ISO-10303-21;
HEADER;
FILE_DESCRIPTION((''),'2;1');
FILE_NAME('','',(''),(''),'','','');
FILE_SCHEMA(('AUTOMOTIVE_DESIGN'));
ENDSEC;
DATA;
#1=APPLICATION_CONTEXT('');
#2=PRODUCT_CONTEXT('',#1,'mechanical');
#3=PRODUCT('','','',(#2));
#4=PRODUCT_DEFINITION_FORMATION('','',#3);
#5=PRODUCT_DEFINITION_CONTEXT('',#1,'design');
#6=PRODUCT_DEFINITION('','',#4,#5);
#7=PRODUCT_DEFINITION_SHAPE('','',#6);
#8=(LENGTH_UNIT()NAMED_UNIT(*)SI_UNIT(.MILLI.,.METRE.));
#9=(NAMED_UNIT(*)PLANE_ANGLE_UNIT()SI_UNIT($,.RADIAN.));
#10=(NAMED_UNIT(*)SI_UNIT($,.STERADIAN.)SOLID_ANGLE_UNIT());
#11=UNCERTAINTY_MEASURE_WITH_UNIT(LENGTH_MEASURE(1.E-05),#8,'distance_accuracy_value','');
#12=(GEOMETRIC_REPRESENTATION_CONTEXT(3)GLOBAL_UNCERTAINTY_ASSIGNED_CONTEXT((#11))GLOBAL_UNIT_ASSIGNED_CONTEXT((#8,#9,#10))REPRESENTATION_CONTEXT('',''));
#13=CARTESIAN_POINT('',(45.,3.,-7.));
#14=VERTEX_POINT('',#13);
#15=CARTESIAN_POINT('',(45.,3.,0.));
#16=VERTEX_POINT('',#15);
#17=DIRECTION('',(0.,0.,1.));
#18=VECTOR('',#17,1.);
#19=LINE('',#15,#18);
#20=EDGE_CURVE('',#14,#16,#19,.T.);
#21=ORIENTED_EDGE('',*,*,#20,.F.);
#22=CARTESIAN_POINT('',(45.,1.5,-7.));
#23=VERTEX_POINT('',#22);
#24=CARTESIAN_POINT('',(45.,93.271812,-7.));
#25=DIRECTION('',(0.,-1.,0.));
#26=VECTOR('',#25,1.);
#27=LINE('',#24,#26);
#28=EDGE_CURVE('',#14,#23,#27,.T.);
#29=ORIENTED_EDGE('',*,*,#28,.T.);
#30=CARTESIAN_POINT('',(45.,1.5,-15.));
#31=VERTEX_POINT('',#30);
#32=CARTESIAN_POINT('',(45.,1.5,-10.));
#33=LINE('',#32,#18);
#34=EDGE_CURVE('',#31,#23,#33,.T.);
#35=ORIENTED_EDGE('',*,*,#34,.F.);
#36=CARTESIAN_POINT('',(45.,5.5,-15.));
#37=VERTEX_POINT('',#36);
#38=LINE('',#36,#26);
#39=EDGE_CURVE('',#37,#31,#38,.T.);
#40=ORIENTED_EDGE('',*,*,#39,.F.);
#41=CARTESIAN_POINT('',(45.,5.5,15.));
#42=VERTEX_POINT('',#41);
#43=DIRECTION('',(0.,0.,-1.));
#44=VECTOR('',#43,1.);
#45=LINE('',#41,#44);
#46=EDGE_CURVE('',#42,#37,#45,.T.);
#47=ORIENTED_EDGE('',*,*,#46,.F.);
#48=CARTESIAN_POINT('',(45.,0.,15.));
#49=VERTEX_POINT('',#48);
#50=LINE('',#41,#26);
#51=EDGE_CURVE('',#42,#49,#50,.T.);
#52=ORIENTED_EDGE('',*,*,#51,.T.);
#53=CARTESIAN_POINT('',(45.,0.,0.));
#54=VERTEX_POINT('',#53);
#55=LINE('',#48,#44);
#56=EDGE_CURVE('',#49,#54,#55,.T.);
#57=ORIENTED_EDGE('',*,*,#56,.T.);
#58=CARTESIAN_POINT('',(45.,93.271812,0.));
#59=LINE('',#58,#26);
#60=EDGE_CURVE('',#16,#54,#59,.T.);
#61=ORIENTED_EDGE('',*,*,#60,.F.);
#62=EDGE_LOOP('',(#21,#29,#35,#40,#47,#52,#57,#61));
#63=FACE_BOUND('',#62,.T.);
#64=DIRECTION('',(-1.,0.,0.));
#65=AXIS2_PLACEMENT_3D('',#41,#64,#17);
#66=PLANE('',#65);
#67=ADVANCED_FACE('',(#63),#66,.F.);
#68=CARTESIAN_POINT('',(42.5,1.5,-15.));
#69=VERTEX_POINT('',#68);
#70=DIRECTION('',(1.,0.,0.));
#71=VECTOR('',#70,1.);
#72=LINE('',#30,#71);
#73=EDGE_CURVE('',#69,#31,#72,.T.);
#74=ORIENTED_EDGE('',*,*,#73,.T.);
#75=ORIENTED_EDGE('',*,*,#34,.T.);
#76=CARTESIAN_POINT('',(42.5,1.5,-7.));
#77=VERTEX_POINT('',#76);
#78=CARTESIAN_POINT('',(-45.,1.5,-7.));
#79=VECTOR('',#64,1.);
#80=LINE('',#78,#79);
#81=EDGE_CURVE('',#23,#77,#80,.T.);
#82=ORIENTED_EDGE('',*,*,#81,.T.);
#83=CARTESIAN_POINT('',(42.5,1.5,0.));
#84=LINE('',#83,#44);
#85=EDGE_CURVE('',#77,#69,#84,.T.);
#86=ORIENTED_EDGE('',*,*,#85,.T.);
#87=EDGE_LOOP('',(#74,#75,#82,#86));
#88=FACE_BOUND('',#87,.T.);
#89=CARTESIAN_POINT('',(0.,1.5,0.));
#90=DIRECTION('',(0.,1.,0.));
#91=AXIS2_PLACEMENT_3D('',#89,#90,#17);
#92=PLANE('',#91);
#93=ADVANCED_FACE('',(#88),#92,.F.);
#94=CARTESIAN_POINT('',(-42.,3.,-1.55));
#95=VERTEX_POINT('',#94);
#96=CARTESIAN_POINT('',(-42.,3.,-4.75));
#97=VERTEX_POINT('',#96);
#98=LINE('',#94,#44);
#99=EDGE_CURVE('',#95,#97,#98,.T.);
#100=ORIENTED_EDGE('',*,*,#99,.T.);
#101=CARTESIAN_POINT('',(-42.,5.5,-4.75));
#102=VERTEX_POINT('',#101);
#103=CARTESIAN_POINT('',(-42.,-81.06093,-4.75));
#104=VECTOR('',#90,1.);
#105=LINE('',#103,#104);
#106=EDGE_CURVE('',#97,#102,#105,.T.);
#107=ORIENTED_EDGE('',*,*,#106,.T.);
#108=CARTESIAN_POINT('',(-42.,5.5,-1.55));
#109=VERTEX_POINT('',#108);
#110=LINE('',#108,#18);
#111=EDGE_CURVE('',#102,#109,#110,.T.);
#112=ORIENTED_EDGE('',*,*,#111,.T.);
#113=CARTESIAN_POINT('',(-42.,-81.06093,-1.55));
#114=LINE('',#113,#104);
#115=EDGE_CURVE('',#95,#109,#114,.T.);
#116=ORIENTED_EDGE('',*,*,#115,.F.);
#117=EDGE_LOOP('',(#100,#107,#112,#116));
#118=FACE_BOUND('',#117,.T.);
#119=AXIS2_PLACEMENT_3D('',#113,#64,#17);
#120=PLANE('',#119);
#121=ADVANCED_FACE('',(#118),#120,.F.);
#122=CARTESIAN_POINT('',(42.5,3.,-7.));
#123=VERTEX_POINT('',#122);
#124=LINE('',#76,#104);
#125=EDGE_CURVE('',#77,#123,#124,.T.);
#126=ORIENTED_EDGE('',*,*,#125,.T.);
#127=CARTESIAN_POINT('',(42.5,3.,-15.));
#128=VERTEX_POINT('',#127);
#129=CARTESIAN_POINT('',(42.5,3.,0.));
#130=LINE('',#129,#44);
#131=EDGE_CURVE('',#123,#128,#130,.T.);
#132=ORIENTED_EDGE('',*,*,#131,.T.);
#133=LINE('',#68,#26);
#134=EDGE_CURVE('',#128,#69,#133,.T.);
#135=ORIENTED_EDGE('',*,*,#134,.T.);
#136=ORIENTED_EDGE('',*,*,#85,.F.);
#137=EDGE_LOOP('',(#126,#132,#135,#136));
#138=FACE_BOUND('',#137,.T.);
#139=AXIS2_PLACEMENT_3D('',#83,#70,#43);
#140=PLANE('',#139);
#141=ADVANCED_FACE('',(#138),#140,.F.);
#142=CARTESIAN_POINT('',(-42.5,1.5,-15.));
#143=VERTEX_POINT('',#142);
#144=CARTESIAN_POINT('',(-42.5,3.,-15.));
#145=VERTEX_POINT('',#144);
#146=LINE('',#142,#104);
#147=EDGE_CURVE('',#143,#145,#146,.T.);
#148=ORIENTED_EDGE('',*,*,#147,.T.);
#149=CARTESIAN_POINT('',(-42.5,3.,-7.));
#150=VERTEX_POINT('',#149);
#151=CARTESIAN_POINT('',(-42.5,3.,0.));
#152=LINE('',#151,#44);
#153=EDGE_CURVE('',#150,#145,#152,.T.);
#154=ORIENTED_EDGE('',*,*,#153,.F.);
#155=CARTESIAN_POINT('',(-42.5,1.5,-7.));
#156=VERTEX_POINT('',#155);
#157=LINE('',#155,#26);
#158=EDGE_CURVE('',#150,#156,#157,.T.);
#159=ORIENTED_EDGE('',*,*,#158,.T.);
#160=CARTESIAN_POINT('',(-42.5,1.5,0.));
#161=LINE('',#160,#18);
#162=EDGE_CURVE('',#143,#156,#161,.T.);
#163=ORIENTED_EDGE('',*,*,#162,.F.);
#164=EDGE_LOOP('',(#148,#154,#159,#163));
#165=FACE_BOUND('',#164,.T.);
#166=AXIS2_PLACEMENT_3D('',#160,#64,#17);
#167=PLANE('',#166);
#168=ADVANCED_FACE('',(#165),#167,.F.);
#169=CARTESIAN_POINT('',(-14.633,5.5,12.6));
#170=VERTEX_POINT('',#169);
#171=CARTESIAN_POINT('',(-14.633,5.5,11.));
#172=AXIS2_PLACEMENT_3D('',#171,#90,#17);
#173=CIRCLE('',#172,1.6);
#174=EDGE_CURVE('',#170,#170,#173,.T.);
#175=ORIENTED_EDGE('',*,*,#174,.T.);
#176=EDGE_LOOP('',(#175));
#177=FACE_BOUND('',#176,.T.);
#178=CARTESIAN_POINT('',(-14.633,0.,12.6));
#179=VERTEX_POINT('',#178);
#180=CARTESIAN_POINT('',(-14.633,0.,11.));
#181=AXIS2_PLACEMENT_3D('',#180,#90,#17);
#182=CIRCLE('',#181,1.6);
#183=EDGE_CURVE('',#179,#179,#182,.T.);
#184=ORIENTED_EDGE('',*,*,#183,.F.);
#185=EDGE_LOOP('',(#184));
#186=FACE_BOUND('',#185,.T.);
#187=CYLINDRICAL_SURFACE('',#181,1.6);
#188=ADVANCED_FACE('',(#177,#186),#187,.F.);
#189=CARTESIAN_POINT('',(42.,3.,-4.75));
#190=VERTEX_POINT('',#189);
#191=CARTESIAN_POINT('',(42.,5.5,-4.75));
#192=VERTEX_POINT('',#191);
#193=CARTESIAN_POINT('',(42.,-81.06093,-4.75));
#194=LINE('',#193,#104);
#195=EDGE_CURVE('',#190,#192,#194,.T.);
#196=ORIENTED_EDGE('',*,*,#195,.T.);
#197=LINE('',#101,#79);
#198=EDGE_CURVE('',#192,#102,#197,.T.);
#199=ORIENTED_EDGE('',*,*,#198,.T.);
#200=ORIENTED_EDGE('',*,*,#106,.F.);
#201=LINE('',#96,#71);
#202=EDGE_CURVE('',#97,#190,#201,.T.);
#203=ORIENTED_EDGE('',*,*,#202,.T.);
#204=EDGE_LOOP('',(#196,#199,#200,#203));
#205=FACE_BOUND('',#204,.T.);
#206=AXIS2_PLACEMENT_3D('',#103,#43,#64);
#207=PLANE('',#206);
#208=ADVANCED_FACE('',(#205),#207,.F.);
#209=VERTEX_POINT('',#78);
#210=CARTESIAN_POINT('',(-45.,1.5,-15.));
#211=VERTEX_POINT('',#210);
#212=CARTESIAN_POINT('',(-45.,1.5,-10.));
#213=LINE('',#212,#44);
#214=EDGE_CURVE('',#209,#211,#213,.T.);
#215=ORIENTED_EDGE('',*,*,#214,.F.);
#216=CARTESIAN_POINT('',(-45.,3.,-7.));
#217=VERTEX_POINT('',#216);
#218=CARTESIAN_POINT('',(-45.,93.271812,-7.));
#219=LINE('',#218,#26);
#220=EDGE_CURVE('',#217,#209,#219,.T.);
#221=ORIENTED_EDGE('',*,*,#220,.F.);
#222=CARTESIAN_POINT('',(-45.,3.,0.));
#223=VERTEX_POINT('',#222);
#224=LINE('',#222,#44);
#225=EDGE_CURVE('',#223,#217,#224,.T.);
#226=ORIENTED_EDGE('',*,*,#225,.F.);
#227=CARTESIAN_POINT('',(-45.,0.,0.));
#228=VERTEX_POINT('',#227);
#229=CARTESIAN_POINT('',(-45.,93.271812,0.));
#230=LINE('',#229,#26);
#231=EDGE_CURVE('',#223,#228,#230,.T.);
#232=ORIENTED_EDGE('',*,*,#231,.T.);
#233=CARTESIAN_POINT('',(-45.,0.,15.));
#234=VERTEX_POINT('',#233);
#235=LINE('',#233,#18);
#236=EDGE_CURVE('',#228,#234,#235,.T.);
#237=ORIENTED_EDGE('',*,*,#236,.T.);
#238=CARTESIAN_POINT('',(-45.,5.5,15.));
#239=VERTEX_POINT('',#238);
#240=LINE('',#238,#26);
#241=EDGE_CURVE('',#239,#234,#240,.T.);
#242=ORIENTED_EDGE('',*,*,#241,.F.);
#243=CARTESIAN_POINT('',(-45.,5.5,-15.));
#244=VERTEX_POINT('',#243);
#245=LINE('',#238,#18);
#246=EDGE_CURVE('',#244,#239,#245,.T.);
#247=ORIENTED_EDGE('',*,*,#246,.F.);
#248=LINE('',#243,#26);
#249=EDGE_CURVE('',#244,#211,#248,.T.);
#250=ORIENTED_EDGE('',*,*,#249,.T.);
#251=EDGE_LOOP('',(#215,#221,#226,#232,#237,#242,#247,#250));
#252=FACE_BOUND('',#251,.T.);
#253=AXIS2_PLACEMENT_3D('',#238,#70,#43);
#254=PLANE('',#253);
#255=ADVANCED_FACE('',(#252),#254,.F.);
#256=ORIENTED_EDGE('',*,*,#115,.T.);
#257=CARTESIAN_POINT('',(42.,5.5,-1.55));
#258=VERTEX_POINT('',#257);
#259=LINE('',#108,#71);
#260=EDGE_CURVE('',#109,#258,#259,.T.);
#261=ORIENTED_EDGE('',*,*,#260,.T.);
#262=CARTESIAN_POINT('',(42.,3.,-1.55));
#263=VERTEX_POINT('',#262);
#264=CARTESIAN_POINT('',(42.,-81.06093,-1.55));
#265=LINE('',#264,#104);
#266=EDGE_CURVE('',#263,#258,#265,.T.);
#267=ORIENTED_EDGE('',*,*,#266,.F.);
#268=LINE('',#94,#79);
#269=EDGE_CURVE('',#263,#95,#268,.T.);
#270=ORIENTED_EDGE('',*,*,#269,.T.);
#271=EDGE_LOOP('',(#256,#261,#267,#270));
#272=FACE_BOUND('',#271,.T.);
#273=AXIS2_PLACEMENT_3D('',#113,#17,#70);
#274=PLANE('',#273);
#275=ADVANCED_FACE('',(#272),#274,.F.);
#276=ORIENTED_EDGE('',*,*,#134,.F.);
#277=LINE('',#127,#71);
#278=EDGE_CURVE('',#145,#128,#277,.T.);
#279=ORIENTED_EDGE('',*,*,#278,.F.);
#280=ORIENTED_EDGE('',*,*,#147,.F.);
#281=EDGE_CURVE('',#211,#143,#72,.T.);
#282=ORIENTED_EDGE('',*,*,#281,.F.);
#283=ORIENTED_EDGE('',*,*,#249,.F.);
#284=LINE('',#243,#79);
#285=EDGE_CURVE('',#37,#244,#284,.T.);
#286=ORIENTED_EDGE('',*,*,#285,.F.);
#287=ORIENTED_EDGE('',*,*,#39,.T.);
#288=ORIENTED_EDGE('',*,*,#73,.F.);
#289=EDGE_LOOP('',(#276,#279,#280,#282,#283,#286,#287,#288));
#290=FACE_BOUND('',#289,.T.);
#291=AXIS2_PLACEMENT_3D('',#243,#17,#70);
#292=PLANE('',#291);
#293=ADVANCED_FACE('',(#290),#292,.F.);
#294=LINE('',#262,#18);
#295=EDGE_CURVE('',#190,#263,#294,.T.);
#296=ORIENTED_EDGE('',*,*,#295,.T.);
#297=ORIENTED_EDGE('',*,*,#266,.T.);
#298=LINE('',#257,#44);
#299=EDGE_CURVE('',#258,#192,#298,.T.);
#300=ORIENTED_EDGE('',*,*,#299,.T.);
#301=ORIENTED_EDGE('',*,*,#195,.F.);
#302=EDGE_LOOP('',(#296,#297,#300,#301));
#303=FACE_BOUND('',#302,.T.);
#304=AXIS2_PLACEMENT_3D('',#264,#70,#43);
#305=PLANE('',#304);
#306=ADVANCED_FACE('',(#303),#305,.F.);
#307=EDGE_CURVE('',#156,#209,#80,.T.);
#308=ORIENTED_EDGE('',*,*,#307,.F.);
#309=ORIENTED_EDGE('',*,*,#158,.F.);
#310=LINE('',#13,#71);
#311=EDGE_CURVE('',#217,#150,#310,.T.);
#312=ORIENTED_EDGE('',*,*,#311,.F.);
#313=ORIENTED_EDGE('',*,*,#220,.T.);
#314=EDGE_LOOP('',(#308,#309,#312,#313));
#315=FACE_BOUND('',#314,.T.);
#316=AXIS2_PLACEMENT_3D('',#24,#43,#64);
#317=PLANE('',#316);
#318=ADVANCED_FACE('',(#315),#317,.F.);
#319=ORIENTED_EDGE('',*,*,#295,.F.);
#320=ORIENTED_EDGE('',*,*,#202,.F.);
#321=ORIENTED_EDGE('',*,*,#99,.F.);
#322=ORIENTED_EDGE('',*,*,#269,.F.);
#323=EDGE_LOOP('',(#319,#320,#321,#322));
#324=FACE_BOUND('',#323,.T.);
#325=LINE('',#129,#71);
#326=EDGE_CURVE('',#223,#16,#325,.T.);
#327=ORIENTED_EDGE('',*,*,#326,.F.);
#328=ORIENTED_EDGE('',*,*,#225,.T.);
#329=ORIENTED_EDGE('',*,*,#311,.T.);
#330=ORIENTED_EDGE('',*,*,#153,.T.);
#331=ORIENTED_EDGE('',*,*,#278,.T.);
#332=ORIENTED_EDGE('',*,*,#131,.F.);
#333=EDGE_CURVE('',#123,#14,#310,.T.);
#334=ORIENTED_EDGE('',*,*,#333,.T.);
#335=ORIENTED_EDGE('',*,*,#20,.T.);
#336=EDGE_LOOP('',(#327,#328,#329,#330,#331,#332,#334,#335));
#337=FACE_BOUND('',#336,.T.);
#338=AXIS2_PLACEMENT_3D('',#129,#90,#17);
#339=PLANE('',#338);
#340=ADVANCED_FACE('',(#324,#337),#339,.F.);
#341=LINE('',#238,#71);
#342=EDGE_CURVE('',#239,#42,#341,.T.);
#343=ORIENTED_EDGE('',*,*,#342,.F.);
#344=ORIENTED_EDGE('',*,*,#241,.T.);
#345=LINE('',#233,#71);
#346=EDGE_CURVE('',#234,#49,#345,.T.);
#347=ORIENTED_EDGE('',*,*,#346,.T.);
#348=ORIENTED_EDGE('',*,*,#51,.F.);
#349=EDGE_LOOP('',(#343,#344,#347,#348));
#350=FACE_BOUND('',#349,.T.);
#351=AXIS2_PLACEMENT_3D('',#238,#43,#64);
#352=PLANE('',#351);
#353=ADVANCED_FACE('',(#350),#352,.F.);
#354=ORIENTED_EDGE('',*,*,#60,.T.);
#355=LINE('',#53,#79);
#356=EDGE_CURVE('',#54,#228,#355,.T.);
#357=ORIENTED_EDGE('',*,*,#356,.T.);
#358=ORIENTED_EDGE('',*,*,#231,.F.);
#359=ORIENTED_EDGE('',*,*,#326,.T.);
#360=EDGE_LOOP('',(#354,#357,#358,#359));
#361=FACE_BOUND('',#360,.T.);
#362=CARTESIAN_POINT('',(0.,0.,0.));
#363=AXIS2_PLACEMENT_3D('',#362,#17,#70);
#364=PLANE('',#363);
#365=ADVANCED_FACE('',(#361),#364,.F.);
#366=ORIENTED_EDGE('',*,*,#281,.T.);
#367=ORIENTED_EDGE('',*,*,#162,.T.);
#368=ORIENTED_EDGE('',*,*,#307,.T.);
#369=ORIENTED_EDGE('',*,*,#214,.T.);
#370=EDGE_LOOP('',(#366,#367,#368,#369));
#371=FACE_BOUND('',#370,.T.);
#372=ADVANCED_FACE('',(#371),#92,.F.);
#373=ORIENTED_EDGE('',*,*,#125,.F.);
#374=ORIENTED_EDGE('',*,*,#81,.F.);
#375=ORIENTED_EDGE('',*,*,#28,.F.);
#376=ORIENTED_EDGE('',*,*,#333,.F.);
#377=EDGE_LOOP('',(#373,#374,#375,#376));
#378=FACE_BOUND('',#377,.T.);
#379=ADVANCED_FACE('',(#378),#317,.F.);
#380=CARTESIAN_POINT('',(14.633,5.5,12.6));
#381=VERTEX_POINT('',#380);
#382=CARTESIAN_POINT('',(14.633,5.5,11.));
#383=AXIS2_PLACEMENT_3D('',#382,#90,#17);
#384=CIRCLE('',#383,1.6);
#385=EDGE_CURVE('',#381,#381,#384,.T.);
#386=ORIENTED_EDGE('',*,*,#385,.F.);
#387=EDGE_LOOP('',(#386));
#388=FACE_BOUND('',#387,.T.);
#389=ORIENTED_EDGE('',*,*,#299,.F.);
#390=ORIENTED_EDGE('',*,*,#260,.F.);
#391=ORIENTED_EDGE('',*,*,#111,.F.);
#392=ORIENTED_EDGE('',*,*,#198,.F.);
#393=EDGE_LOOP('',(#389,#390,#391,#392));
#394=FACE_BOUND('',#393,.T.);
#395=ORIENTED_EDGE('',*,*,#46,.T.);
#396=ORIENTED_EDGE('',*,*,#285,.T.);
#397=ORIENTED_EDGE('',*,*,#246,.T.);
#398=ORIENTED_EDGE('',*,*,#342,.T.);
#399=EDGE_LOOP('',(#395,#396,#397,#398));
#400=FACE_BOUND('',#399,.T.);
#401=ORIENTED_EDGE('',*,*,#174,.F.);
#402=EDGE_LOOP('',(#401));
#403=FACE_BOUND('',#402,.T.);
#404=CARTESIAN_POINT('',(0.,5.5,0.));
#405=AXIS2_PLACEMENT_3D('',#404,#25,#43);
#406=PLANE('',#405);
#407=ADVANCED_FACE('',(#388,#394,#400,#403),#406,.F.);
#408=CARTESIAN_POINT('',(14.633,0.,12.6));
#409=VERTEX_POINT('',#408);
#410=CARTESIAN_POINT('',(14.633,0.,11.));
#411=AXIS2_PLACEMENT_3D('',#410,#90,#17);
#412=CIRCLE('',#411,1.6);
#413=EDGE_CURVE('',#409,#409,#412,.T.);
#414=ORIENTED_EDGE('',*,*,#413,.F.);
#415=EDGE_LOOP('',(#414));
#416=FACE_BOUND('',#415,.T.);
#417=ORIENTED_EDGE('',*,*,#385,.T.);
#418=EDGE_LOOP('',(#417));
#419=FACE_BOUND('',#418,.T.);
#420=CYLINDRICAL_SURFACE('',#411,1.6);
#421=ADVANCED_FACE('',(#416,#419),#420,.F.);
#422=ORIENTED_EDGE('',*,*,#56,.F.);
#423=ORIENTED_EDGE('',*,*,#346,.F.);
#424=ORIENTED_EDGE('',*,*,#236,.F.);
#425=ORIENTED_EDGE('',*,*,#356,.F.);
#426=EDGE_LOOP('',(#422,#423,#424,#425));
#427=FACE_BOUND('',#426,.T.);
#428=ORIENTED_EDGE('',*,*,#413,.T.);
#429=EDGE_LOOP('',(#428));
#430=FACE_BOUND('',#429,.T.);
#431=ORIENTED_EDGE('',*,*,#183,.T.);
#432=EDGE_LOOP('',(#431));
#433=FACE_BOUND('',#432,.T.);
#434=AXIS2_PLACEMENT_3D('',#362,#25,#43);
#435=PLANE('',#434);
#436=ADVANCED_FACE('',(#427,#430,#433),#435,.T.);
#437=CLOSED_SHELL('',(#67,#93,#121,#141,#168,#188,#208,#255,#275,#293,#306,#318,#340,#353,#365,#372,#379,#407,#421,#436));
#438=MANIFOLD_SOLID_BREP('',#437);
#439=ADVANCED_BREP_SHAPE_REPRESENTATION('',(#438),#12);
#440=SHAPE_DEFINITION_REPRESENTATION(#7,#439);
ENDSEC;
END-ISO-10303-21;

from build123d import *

# Parameters (mm, degrees)
SKETCH2_W           = 90
SKETCH2_H           = 30
BOSS_EXTRUDE1_DEPTH = 5.5
SKETCH3_W           = 90
SKETCH3_H           = 3
CUT_EXTRUDE1_DEPTH  = 1.5
SKETCH4_W           = 85
SKETCH4_H           = 1.5
CUT_EXTRUDE2_DEPTH  = 15
SKETCH5_W           = 84
SKETCH5_H           = 3.2
CUT_EXTRUDE3_DEPTH  = 2.5
SKETCH6_R           = 1.6
CUT_EXTRUDE4_DEPTH  = 48.75196331
SKETCH7_W           = 90
SKETCH7_H           = 1.5
CUT_EXTRUDE5_DEPTH  = 5
SKETCH8_W           = 90
SKETCH8_H           = 7
CUT_EXTRUDE6_DEPTH  = 3


with BuildPart() as part:
    # Sketch2 → Boss-Extrude1 (new body)
    with BuildSketch(Plane(origin=(0, 0, 0), x_dir=(1, 0, 0), z_dir=(0, 1, 0))):
        Rectangle(SKETCH2_W, SKETCH2_H)
    extrude(amount=BOSS_EXTRUDE1_DEPTH)

    # Sketch3 → Cut-Extrude1 (cut)
    with BuildSketch(Plane.XZ):
        with Locations((0, -8.5)):
            Rectangle(SKETCH3_W, SKETCH3_H)
    extrude(amount=-CUT_EXTRUDE1_DEPTH, mode=Mode.SUBTRACT)

    # Sketch4 → Cut-Extrude2 (cut)
    with BuildSketch(Plane(origin=(0, 0, -15), x_dir=(-1, 0, 0), z_dir=(0, 0, -1))):
        with Locations((0, 2.25)):
            Rectangle(SKETCH4_W, SKETCH4_H)
    extrude(amount=-CUT_EXTRUDE2_DEPTH, mode=Mode.SUBTRACT)

    # Sketch5 → Cut-Extrude3 (cut)
    with BuildSketch(Plane(origin=(0, 5.5, 0), x_dir=(1, 0, 0), z_dir=(0, 1, 0))):
        with Locations((0, 3.15)):
            Rectangle(SKETCH5_W, SKETCH5_H)
    extrude(amount=-CUT_EXTRUDE3_DEPTH, mode=Mode.SUBTRACT)

    # Sketch6 → Cut-Extrude4 (cut, through all)
    with BuildSketch(Plane(origin=(0, 5.5, 0), x_dir=(1, 0, 0), z_dir=(0, 1, 0))):
        with Locations(Location((-14.633, -11, 0), (0, 0, 270))):
            Circle(SKETCH6_R)
        with Locations(Location((14.633, -11, 0), (0, 0, 270))):
            Circle(SKETCH6_R)
    extrude(amount=-CUT_EXTRUDE4_DEPTH, mode=Mode.SUBTRACT)

    # Sketch7 → Cut-Extrude5 (cut)
    with BuildSketch(Plane(origin=(0, 0, -15), x_dir=(-1, 0, 0), z_dir=(0, 0, -1))):
        with Locations((0, 0.75)):
            Rectangle(SKETCH7_W, SKETCH7_H)
    extrude(amount=-CUT_EXTRUDE5_DEPTH, mode=Mode.SUBTRACT)

    # Sketch8 → Cut-Extrude6 (cut)
    with BuildSketch(Plane(origin=(0, 0, 0), x_dir=(-1, 0, 0), z_dir=(0, -1, 0))):
        with Locations((0, 3.5)):
            Rectangle(SKETCH8_W, SKETCH8_H)
    extrude(amount=-CUT_EXTRUDE6_DEPTH, mode=Mode.SUBTRACT)


solid = part.part
